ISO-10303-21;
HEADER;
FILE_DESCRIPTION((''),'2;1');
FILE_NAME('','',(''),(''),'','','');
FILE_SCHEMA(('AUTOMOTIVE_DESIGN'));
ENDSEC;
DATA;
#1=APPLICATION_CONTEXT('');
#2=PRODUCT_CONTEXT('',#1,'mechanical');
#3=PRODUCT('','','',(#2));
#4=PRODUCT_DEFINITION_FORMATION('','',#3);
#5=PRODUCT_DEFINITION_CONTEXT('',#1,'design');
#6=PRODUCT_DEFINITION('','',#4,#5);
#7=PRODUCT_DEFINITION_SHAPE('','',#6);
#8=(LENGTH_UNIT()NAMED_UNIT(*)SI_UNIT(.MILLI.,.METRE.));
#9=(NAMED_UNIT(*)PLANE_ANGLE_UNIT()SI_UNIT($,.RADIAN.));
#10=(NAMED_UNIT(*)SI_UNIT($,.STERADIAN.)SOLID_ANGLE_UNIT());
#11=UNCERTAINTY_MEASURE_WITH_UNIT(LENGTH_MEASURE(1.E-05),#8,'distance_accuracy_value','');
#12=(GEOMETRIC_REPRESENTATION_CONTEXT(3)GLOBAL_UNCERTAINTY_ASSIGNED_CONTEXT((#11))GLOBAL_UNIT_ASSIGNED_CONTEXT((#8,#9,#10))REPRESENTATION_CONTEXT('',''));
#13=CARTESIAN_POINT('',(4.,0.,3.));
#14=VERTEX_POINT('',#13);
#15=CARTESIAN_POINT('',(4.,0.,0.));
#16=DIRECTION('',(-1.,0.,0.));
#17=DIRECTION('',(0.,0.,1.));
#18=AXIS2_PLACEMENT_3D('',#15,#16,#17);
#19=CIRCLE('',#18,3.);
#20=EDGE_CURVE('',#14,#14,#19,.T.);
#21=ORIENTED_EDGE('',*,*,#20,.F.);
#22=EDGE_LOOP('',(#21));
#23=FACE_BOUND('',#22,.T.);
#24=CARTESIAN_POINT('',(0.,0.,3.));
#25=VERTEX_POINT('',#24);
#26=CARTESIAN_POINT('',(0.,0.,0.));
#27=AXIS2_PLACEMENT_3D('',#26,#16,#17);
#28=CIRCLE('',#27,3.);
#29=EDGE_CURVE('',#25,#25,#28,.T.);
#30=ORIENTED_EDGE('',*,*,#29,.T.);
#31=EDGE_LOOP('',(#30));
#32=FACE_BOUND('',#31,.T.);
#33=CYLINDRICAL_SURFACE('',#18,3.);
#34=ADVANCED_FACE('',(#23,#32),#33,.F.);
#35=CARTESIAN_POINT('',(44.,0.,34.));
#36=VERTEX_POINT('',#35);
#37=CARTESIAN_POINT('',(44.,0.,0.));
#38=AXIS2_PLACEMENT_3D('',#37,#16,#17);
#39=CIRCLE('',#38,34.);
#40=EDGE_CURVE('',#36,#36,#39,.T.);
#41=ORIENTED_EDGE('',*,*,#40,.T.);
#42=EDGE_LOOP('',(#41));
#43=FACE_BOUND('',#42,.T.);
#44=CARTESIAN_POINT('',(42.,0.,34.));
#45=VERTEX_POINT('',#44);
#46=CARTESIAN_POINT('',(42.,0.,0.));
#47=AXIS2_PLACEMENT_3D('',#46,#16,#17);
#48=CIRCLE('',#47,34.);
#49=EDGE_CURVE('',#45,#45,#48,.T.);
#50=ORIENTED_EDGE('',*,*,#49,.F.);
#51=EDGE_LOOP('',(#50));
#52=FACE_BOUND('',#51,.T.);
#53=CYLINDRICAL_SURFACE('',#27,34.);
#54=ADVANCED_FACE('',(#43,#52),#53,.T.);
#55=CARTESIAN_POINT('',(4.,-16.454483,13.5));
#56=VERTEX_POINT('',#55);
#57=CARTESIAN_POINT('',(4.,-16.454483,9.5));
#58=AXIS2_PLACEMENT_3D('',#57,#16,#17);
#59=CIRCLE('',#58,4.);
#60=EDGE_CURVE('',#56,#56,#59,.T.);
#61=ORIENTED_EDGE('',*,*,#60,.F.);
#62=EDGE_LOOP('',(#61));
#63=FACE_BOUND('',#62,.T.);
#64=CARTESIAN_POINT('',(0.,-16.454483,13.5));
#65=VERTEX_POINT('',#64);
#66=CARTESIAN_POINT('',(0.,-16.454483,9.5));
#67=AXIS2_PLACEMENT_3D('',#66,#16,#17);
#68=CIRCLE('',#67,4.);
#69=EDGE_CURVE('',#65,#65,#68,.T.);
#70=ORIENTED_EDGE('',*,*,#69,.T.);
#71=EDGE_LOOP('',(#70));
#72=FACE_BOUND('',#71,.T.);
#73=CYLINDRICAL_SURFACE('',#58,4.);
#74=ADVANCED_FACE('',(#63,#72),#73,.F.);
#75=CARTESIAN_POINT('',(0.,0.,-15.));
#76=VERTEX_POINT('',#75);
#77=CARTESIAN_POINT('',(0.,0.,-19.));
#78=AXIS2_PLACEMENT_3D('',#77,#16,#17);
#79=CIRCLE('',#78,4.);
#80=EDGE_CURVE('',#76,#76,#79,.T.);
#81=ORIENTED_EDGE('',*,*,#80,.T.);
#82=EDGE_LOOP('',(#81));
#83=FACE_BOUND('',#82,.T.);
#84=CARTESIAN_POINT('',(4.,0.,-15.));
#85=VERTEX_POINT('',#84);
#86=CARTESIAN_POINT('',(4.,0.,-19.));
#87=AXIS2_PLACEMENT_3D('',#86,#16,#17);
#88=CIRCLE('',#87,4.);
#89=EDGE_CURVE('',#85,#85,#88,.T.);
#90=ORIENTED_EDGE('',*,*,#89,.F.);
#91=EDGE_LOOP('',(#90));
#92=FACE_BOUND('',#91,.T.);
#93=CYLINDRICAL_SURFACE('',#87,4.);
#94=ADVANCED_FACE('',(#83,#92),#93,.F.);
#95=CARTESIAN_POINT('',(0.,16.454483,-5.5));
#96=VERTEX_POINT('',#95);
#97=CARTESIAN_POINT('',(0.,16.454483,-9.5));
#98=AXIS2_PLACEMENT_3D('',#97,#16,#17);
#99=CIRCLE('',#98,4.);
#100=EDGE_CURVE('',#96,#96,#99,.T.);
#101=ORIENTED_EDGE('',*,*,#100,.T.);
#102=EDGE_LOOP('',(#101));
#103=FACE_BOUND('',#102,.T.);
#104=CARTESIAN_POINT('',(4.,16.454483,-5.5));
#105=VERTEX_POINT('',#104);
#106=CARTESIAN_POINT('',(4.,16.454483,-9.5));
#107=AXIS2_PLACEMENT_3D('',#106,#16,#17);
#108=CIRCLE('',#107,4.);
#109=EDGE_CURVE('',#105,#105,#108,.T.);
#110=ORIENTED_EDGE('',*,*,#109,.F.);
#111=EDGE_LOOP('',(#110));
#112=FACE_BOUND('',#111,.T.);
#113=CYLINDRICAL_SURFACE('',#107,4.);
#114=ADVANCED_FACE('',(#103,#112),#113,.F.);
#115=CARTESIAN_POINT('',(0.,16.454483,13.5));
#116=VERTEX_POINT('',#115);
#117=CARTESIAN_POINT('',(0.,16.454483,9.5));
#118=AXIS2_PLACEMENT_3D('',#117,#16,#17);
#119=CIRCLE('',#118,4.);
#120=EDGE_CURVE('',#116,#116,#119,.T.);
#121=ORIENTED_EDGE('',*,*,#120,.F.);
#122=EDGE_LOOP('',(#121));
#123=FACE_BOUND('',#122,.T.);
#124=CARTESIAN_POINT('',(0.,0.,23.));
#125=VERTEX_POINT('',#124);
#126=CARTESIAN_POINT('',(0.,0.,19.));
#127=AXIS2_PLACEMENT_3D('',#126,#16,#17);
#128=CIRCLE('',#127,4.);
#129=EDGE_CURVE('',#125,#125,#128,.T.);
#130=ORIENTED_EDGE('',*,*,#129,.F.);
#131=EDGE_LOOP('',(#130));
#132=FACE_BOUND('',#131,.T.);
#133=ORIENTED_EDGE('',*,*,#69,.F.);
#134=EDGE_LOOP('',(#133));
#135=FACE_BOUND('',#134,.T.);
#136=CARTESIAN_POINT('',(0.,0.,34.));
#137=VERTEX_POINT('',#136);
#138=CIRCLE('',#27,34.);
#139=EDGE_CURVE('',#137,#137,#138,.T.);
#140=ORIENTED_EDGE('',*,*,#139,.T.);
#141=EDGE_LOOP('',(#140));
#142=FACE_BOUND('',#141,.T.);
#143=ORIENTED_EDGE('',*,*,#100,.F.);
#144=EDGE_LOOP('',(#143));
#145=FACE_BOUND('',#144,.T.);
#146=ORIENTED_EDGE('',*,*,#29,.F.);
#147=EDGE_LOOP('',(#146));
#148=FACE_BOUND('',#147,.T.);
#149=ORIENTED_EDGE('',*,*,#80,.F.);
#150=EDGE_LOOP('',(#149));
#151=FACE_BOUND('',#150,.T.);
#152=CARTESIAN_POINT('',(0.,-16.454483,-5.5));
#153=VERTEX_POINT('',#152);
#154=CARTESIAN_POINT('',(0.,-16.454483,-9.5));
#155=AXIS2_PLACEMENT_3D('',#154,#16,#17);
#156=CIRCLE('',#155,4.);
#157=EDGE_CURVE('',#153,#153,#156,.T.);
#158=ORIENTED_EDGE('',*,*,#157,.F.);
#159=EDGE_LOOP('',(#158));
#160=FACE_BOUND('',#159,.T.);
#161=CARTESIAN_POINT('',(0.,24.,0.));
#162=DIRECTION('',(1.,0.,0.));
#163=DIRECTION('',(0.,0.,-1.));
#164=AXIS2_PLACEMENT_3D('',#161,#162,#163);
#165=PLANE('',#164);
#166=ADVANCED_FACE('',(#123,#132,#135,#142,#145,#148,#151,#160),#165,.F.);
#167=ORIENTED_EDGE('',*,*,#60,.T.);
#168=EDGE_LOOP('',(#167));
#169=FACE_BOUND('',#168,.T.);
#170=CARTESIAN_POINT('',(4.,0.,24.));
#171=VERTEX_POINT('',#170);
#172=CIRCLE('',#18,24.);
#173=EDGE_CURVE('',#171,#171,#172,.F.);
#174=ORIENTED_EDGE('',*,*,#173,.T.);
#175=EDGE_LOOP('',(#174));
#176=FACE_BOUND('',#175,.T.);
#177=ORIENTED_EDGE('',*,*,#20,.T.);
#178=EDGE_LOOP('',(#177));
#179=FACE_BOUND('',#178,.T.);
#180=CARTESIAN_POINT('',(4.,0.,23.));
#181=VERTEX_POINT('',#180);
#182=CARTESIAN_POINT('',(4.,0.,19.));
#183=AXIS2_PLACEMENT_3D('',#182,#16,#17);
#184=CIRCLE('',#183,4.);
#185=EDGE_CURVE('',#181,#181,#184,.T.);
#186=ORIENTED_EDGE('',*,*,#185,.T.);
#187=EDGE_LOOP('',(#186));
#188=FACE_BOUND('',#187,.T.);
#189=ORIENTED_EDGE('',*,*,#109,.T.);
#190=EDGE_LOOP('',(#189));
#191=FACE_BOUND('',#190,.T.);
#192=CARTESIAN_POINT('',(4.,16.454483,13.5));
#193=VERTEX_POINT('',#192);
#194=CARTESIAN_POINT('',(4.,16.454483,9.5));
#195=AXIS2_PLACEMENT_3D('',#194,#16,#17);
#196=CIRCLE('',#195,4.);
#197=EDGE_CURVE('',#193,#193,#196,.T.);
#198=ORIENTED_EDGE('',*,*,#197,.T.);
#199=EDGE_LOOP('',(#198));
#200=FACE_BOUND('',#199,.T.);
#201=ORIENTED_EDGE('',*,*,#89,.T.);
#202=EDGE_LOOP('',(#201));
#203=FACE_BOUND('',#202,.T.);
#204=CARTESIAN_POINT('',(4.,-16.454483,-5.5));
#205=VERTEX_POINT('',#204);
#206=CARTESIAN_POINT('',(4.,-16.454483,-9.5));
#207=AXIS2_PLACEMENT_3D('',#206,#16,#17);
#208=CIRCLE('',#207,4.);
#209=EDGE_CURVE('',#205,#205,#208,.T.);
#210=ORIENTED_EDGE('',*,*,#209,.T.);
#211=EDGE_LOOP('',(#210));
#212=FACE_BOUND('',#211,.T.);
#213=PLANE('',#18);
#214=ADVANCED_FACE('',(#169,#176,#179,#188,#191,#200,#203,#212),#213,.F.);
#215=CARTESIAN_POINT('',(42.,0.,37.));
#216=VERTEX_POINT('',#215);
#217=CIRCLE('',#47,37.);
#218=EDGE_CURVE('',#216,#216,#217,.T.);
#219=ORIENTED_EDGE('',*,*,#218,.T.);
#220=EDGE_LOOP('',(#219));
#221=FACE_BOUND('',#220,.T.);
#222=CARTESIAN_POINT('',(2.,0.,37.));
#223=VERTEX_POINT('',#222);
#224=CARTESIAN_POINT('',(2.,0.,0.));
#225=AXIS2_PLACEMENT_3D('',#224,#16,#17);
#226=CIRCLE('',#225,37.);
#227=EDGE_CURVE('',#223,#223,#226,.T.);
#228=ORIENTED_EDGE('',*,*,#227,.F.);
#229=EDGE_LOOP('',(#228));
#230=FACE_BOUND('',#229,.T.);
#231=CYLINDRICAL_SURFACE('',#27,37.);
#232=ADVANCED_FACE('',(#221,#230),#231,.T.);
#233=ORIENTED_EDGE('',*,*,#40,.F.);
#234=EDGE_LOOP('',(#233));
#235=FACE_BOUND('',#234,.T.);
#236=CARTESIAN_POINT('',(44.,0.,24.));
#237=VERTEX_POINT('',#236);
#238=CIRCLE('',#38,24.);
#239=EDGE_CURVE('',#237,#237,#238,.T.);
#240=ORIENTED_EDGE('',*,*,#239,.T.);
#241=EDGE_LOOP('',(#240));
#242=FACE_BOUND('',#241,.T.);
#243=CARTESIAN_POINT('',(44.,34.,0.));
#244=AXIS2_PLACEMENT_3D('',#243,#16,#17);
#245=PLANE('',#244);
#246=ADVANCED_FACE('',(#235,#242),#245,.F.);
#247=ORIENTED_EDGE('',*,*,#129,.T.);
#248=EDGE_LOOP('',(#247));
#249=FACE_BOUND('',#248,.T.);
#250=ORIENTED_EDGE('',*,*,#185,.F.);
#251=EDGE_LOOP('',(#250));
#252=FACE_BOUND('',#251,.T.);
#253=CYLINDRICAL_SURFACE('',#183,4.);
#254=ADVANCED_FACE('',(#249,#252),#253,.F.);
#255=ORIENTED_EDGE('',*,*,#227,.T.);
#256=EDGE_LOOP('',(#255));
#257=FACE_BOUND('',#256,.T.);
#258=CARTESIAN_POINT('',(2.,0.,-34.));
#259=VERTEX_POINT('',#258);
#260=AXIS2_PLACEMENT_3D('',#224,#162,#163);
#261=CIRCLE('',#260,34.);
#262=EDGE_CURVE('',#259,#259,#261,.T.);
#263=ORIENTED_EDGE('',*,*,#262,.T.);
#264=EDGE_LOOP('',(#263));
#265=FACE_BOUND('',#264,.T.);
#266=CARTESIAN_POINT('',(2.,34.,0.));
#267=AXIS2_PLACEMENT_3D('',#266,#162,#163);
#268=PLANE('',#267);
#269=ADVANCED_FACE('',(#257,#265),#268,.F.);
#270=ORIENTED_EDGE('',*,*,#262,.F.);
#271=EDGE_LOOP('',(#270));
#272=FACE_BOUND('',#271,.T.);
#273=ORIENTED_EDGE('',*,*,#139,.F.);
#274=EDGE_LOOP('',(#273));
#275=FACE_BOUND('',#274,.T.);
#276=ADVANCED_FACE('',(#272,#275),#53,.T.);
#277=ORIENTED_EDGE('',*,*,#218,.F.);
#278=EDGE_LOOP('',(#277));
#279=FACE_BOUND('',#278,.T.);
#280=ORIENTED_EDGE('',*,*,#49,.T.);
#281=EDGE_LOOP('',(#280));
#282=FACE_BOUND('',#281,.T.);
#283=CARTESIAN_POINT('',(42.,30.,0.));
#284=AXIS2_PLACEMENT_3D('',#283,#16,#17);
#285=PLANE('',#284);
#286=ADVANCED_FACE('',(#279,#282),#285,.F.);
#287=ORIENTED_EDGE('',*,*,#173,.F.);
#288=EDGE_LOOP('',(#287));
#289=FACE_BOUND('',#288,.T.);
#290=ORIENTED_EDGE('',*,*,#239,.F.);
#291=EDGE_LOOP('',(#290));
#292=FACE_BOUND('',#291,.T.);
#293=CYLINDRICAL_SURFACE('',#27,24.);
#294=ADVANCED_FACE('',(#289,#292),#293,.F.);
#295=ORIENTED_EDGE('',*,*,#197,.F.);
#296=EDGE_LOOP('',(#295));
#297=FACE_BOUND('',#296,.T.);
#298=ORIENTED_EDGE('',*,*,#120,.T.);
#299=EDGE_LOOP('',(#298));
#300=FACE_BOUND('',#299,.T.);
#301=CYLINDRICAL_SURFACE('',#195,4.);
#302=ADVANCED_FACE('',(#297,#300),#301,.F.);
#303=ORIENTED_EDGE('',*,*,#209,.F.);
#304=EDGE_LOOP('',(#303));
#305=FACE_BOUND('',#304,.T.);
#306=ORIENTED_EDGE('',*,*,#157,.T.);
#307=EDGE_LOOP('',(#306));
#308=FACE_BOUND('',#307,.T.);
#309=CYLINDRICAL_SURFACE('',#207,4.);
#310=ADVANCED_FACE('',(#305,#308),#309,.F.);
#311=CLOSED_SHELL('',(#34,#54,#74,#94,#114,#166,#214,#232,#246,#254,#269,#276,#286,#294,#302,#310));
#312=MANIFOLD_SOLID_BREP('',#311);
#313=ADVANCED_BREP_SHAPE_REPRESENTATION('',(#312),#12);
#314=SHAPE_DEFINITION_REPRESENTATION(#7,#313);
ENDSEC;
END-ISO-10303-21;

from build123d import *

# Parameters (mm, degrees)
SKETCH3_R           = 24
SKETCH3_R_2         = 4
SKETCH3_R_3         = 3
BOSS_EXTRUDE1_DEPTH = 4


with BuildPart() as part:
    # Sketch1 → Revolve2 (revolve)
    with BuildSketch(Plane.XY, mode=Mode.PRIVATE) as revolve2_sk:
        Polygon((0, 24), (0, 34), (2, 34), (2, 30), (42, 30), (42, 34), (44, 34), (44, 24), align=None)
    revolve(revolve2_sk.sketch.rotate(Axis((0, 0, 0), (1, 0, 0)), 90), axis=Axis((0, 0, 0), (1, 0, 0)))

    # Sketch2 → Revolve3 (revolve)
    with BuildSketch(Plane.XY, mode=Mode.PRIVATE) as revolve3_sk:
        Polygon((2, 34), (2, 30), (42, 30), (42, 34), (42, 37), (2, 37), align=None)
    revolve(revolve3_sk.sketch.rotate(Axis((0, 0, 0), (1, 0, 0)), 90), axis=Axis((0, 0, 0), (1, 0, 0)))

    # Sketch3 → Boss-Extrude1 (add)
    with BuildSketch(Plane.ZY):
        Circle(SKETCH3_R)
        with Locations((19, 0)):
            Circle(SKETCH3_R_2, mode=Mode.SUBTRACT)
        Circle(SKETCH3_R_3, mode=Mode.SUBTRACT)
        with Locations((9.5, -16.454482672)):
            Circle(SKETCH3_R_2, mode=Mode.SUBTRACT)
        with Locations((-9.5, -16.454482672)):
            Circle(SKETCH3_R_2, mode=Mode.SUBTRACT)
        with Locations((-19, 0)):
            Circle(SKETCH3_R_2, mode=Mode.SUBTRACT)
        with Locations((-9.5, 16.454482672)):
            Circle(SKETCH3_R_2, mode=Mode.SUBTRACT)
        with Locations((9.5, 16.454482672)):
            Circle(SKETCH3_R_2, mode=Mode.SUBTRACT)
    extrude(amount=-BOSS_EXTRUDE1_DEPTH)


solid = part.part
